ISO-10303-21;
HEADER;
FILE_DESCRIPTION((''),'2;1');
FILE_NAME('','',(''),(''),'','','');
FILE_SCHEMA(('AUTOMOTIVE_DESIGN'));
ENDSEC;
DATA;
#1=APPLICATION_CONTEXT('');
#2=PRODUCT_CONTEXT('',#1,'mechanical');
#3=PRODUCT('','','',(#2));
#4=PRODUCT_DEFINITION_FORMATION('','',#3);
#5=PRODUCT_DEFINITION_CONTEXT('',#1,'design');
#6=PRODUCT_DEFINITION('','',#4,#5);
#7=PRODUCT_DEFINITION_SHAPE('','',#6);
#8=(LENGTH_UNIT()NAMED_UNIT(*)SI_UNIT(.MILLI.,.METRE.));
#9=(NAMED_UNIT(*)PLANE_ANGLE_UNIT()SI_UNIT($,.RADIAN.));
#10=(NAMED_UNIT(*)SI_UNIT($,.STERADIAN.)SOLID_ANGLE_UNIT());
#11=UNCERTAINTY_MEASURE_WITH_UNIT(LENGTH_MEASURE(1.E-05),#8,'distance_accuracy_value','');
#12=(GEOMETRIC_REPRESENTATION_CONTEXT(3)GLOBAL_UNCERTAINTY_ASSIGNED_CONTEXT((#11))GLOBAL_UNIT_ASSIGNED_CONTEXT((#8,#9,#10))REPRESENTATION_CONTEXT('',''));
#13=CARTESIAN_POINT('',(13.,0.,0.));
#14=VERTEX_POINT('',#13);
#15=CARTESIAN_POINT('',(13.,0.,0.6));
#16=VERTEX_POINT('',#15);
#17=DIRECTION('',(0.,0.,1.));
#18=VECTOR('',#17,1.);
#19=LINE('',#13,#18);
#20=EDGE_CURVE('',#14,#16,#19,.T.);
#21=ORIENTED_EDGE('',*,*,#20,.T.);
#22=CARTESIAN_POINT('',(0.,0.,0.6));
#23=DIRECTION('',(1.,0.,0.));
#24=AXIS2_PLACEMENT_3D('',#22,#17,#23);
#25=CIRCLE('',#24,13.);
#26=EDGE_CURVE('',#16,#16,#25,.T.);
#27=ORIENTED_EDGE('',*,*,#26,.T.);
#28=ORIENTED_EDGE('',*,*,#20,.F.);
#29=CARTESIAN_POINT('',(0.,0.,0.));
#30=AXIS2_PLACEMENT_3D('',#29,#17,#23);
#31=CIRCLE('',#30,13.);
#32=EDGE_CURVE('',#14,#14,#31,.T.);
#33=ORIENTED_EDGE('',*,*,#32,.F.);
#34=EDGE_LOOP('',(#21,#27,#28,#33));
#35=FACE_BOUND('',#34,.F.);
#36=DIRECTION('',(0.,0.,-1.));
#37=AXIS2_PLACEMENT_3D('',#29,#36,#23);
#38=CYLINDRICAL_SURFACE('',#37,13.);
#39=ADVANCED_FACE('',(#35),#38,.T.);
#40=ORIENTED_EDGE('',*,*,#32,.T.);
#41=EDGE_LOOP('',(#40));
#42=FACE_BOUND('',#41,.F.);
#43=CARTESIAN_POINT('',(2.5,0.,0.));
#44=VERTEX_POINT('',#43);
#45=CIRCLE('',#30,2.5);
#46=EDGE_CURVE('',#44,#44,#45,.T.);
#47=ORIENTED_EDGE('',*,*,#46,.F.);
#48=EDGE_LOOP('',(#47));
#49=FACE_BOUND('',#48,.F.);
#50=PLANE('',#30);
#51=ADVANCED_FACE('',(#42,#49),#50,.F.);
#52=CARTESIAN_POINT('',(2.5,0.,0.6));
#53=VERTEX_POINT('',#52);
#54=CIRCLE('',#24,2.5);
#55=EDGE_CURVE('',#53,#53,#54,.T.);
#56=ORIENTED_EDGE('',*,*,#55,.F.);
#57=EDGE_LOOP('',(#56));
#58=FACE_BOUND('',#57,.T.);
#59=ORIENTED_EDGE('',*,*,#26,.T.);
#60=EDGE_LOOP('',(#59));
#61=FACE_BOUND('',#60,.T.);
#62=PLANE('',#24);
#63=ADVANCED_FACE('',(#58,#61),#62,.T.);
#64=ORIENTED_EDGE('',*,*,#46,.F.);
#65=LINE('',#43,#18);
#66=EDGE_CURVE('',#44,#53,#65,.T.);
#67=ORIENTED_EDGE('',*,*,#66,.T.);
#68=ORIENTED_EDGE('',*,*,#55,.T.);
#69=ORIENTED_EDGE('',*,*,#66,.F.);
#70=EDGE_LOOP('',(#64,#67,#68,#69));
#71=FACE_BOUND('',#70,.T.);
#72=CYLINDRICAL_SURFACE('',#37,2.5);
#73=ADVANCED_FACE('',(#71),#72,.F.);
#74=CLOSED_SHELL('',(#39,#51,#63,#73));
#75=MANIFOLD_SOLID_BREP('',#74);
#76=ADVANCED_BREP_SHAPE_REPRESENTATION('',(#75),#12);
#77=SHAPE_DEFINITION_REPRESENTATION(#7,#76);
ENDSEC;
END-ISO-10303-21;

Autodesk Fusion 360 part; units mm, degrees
sketch "Sketch1" plane through (0, 0, 0) normal (0, 0, 1) x (1, 0, 0)
  circle A0 centre (0, 0) radius 2.5
  circle A1 centre (0, 0) radius 13
  dimension "d1" = 26
extrude "Extrude1" add sketch "Sketch1" along normal blind 0.6
